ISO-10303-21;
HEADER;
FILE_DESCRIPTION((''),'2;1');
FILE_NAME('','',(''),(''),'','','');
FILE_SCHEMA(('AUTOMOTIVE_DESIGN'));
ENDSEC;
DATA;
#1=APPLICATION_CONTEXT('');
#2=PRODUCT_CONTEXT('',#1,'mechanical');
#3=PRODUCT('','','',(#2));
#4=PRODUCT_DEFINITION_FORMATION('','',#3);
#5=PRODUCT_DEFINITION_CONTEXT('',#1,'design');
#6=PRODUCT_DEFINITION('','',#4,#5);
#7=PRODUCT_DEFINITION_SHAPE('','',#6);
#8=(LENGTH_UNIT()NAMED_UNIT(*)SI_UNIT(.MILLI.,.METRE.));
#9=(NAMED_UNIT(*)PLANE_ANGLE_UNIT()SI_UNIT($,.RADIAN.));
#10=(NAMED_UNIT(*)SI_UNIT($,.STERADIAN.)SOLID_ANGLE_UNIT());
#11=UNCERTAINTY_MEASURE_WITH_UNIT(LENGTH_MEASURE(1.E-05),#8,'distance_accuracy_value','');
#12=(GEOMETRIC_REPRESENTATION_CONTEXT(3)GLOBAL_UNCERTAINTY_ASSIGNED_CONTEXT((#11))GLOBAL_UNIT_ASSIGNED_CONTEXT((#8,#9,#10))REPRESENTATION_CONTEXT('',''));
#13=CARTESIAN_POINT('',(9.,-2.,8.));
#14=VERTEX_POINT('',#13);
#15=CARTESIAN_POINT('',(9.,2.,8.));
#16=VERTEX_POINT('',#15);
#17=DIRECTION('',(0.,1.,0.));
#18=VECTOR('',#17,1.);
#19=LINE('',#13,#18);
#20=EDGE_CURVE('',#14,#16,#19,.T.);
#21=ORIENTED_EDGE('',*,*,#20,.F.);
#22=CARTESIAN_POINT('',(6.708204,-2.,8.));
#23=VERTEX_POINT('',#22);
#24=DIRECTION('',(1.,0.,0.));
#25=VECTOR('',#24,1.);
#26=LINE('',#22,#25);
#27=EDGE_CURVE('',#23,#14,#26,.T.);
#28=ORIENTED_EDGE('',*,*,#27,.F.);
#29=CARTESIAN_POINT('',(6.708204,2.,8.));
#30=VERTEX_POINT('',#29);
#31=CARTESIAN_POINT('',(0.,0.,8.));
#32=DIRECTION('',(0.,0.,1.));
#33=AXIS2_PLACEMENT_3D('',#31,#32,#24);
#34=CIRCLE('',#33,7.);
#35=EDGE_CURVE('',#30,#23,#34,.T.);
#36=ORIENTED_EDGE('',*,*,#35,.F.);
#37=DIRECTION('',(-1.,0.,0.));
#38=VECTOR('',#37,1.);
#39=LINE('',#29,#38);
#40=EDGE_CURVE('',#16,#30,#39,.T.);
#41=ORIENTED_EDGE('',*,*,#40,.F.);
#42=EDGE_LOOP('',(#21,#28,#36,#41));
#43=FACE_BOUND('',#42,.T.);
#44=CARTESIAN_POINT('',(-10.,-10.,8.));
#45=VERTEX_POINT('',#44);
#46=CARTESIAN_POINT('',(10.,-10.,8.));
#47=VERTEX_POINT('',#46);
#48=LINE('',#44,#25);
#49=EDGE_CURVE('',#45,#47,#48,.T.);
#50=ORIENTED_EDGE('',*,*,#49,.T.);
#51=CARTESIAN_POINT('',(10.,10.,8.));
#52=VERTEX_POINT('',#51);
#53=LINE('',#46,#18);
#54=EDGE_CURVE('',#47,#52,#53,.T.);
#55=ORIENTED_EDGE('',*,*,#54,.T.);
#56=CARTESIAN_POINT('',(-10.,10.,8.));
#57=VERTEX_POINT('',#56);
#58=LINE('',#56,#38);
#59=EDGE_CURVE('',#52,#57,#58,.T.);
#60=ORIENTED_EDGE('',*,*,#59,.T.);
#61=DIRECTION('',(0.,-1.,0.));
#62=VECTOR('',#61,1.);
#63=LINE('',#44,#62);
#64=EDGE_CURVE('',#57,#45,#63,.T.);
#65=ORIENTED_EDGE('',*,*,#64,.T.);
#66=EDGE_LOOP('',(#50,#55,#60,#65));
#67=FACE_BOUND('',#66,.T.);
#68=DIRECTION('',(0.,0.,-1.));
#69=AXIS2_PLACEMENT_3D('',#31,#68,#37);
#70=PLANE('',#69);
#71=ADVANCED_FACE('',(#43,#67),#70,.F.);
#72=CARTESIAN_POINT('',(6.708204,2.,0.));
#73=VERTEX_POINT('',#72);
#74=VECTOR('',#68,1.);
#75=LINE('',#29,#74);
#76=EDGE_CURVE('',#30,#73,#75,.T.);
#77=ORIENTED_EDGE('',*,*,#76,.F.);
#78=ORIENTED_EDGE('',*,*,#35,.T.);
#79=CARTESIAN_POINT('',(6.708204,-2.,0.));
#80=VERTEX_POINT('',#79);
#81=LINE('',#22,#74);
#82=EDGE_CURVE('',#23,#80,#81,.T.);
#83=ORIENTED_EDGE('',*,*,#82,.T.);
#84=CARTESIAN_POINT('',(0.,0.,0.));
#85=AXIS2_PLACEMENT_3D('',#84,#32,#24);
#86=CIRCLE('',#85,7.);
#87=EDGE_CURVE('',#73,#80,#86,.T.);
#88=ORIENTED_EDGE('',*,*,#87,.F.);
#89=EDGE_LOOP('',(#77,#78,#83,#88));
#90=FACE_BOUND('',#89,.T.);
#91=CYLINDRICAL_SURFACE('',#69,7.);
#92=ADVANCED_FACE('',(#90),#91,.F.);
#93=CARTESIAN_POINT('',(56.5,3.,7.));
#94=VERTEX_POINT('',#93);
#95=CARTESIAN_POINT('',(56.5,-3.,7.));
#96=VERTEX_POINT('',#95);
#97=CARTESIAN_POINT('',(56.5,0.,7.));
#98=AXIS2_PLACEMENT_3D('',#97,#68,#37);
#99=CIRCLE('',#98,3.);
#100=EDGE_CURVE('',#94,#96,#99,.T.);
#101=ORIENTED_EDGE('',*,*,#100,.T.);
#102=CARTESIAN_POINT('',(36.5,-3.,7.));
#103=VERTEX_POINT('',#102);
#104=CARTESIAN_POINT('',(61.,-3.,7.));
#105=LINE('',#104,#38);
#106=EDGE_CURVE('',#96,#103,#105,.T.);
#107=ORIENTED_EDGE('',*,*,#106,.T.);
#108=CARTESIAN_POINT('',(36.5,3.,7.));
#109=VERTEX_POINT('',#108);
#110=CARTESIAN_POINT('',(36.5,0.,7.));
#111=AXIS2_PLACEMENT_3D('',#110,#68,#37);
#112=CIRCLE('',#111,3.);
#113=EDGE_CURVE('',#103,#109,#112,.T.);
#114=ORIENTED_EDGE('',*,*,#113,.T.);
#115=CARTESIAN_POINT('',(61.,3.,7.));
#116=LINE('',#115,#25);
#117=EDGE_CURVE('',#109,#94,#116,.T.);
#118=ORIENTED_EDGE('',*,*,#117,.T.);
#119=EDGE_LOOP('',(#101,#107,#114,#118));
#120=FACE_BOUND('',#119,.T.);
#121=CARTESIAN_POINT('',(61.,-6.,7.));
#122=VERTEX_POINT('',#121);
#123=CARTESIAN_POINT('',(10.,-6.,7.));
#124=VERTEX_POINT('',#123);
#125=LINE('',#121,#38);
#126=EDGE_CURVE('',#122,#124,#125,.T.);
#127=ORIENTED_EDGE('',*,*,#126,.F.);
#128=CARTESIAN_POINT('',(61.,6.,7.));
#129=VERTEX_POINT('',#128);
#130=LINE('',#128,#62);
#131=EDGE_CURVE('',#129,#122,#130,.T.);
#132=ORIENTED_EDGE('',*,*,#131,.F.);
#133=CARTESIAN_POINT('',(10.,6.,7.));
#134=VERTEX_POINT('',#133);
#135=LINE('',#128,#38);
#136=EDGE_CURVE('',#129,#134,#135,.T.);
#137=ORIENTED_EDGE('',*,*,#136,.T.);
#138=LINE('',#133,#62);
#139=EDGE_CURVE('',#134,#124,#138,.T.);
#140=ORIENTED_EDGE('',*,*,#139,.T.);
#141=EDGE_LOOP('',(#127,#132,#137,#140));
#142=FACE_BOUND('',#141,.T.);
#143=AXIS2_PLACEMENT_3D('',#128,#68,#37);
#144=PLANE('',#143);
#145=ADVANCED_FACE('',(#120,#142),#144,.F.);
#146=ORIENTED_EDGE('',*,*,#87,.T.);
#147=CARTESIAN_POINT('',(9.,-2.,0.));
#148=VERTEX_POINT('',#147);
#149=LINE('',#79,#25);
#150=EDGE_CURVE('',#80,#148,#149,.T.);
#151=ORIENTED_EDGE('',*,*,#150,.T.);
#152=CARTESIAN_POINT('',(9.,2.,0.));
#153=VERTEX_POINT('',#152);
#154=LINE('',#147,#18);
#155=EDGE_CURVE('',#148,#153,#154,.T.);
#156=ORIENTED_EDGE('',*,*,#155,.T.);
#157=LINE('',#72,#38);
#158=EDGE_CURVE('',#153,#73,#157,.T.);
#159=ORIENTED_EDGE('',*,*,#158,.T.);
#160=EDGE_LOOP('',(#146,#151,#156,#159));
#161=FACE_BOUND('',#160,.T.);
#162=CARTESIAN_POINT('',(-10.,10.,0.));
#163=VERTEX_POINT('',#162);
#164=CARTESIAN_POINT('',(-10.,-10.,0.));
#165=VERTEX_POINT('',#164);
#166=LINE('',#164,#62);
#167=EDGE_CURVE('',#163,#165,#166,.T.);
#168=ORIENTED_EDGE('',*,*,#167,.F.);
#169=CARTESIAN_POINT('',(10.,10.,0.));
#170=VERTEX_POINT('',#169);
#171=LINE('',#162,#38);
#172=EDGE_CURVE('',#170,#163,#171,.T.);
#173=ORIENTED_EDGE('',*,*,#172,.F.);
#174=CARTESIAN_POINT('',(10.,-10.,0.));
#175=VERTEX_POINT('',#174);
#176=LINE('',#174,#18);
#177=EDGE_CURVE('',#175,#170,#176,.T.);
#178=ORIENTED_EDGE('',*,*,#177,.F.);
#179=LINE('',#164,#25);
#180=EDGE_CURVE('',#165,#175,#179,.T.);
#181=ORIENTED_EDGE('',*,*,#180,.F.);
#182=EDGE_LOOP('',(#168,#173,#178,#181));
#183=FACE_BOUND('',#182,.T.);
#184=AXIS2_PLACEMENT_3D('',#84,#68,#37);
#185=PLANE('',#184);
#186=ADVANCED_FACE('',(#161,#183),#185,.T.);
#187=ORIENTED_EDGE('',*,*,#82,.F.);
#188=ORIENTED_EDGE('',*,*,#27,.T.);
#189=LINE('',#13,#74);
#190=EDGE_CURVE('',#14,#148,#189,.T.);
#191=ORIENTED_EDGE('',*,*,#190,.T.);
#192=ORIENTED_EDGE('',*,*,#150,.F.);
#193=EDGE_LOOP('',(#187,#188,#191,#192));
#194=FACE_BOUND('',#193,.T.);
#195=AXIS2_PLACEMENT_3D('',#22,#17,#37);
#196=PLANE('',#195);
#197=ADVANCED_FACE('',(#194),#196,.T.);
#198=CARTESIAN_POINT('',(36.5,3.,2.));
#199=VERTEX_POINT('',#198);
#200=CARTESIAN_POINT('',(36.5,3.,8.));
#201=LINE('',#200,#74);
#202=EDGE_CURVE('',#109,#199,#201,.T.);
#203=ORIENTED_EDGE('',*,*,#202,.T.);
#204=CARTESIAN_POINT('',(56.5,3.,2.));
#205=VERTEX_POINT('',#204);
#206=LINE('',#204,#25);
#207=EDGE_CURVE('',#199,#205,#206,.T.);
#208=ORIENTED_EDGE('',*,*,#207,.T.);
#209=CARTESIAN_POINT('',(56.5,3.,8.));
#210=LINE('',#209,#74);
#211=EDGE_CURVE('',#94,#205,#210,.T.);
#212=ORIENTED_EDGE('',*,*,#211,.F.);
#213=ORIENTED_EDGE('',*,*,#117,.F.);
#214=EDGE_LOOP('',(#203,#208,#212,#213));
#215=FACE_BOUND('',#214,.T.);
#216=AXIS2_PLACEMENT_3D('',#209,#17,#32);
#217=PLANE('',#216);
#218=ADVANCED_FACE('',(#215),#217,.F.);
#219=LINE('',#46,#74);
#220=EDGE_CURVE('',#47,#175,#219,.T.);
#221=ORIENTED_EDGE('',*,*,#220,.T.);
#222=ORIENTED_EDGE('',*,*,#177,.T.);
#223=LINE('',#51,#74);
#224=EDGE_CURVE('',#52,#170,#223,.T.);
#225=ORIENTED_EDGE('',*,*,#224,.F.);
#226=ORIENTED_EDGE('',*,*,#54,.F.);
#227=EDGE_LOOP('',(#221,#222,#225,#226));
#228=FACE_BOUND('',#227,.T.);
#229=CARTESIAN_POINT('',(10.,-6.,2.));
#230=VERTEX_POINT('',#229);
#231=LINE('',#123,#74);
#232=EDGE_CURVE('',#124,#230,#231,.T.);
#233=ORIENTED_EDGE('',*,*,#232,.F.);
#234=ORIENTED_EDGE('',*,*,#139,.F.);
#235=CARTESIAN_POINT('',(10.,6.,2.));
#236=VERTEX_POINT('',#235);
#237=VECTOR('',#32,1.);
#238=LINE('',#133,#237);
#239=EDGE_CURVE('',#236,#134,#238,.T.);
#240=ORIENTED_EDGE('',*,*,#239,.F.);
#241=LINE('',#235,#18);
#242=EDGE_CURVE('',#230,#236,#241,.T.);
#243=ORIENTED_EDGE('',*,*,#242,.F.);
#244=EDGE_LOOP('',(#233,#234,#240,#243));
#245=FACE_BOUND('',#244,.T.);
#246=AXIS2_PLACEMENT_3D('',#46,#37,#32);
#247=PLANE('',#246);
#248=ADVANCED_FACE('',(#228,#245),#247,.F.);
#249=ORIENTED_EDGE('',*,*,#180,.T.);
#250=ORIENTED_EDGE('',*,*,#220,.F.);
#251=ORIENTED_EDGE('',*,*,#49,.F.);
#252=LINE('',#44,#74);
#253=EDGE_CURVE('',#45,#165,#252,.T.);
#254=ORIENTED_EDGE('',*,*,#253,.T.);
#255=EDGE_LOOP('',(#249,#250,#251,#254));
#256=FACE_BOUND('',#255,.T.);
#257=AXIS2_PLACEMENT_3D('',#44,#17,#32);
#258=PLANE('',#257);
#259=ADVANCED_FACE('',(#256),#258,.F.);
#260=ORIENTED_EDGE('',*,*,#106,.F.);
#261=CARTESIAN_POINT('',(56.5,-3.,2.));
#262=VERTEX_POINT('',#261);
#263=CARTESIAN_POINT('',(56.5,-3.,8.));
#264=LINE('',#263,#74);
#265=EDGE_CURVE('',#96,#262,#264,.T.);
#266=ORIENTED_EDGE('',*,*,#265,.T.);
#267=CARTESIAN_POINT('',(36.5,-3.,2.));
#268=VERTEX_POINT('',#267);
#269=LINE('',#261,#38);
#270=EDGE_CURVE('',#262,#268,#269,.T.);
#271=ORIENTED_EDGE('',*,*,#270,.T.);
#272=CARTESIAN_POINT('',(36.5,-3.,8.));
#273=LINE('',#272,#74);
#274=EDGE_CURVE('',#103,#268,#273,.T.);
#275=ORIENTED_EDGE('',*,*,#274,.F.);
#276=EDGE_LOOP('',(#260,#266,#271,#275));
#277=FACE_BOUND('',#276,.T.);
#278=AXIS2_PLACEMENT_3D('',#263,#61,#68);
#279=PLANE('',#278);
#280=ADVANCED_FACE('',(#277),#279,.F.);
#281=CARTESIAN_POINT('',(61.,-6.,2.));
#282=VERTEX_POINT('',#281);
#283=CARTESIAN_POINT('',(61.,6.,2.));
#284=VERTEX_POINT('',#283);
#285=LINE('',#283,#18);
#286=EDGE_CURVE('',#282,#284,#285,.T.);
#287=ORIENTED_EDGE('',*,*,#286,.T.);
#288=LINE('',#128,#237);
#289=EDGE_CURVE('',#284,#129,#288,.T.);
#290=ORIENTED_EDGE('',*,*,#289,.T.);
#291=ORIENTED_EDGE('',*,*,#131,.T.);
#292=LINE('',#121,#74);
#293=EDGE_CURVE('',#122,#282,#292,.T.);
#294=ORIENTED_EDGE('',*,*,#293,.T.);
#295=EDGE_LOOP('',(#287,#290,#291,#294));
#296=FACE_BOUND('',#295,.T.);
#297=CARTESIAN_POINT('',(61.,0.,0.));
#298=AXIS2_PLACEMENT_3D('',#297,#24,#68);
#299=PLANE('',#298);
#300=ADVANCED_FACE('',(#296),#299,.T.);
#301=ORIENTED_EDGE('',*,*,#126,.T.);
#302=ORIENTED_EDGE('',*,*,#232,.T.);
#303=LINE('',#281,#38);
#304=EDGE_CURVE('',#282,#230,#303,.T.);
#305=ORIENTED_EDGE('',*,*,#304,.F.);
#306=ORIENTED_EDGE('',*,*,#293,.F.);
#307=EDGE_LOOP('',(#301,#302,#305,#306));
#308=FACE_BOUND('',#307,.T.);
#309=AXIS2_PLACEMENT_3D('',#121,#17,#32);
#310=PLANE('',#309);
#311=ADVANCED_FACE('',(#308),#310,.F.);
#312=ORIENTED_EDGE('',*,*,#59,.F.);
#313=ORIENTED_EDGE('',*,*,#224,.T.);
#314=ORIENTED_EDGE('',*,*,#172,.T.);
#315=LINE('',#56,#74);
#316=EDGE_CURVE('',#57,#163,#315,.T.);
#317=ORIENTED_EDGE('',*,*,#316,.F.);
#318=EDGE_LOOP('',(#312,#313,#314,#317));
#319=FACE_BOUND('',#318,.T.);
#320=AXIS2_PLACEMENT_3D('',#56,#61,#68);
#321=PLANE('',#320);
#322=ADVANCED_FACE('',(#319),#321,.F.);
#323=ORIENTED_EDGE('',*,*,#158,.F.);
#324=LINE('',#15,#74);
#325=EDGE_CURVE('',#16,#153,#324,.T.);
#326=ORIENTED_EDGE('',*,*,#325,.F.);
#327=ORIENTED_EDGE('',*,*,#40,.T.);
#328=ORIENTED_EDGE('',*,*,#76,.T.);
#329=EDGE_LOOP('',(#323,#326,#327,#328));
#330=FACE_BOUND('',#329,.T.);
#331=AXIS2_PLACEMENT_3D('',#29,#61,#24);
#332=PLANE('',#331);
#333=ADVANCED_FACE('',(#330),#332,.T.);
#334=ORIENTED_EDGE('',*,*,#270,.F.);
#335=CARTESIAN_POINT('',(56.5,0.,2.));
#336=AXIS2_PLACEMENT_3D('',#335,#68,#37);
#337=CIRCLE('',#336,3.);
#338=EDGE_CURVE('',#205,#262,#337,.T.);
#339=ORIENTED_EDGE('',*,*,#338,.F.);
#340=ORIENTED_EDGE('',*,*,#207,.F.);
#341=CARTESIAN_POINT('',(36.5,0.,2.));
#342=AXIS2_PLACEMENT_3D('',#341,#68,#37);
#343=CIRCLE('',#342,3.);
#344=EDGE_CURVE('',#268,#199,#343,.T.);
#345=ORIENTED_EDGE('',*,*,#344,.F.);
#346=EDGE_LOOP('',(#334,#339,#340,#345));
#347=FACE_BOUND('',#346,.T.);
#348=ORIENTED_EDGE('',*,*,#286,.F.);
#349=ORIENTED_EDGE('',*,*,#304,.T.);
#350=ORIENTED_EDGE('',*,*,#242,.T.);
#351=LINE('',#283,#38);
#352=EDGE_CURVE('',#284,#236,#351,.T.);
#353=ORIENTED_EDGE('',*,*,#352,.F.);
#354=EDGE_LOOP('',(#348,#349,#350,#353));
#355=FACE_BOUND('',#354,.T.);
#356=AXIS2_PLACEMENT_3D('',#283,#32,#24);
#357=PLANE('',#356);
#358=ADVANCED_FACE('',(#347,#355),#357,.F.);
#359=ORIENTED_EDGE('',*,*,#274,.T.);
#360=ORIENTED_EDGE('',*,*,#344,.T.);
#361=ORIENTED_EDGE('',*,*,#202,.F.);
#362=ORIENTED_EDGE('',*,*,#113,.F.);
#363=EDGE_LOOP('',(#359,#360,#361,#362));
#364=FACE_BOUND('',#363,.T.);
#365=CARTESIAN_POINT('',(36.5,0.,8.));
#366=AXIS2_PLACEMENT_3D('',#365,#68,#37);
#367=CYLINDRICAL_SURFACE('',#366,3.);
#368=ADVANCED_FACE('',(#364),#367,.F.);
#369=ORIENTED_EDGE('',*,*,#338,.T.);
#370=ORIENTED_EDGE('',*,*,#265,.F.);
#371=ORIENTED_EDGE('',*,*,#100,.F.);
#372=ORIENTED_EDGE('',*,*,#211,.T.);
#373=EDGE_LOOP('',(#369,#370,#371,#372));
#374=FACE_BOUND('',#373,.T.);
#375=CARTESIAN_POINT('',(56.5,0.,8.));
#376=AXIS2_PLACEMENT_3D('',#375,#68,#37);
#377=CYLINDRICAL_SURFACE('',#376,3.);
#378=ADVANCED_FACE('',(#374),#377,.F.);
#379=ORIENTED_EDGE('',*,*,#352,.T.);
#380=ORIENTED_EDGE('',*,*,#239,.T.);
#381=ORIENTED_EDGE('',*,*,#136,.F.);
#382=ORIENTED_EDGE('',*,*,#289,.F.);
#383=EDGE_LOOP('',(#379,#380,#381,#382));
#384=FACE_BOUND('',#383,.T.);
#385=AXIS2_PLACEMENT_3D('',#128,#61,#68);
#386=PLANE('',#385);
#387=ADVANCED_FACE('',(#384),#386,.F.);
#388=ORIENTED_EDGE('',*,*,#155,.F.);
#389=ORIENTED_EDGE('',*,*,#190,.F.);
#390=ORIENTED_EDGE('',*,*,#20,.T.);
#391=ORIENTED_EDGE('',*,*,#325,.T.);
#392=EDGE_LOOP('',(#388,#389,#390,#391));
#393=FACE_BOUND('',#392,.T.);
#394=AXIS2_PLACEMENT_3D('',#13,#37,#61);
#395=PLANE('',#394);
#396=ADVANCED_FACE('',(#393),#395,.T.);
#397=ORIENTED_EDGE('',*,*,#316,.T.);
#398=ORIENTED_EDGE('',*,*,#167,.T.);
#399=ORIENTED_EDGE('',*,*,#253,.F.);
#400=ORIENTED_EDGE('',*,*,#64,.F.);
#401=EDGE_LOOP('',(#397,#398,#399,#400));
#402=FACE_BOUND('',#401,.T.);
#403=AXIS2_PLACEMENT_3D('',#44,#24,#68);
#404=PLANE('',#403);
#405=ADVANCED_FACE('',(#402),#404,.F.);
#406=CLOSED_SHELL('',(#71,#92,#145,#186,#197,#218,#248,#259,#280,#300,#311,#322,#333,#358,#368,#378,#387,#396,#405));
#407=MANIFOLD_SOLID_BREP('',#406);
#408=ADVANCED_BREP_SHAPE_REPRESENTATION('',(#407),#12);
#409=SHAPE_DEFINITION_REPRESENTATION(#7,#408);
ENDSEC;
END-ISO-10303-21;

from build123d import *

# Parameters (mm, degrees)
SKETCH_1_W          = 20
SKETCH_1_H          = 20
EXTRUDE_2_DEPTH     = 8
SKETCH_2_W          = 5
SKETCH_2_H          = 12
EXTRUDE_3_DEPTH     = 51
CUT_EXTRUDE_1_DEPTH = 63.104750221


with BuildPart() as part:
    # 草图1 → 凸台-拉伸2 (new body)
    with BuildSketch(Plane.XY):
        Rectangle(SKETCH_1_W, SKETCH_1_H)
        with BuildLine():
            Line((6.708203932, -2), (9, -2))
            Line((9, -2), (9, 2))
            Line((9, 2), (6.708203932, 2))
            ThreePointArc((6.708203932, 2), (-7, 0), (6.708203932, -2))
        make_face(mode=Mode.SUBTRACT)
    extrude(amount=EXTRUDE_2_DEPTH)

    # 草图2 → 凸台-拉伸3 (add)
    with BuildSketch(Plane(origin=(10, 0, 0), x_dir=(0, 0, -1), z_dir=(1, 0, 0))):
        with Locations((-4.5, 0)):
            Rectangle(SKETCH_2_W, SKETCH_2_H)
    extrude(amount=EXTRUDE_3_DEPTH)

    # 草图3 → 切除-拉伸1 (cut, through all)
    with BuildSketch(Plane(origin=(0, 0, 2), x_dir=(-1, 0, 0), z_dir=(0, 0, -1))):
        with BuildLine():
            Line((-56.5, 3), (-36.5, 3))
            ThreePointArc((-36.5, 3), (-33.5, 0), (-36.5, -3))
            Line((-36.5, -3), (-56.5, -3))
            ThreePointArc((-56.5, -3), (-59.5, 0), (-56.5, 3))
        make_face()
    extrude(amount=-CUT_EXTRUDE_1_DEPTH, mode=Mode.SUBTRACT)


solid = part.part
